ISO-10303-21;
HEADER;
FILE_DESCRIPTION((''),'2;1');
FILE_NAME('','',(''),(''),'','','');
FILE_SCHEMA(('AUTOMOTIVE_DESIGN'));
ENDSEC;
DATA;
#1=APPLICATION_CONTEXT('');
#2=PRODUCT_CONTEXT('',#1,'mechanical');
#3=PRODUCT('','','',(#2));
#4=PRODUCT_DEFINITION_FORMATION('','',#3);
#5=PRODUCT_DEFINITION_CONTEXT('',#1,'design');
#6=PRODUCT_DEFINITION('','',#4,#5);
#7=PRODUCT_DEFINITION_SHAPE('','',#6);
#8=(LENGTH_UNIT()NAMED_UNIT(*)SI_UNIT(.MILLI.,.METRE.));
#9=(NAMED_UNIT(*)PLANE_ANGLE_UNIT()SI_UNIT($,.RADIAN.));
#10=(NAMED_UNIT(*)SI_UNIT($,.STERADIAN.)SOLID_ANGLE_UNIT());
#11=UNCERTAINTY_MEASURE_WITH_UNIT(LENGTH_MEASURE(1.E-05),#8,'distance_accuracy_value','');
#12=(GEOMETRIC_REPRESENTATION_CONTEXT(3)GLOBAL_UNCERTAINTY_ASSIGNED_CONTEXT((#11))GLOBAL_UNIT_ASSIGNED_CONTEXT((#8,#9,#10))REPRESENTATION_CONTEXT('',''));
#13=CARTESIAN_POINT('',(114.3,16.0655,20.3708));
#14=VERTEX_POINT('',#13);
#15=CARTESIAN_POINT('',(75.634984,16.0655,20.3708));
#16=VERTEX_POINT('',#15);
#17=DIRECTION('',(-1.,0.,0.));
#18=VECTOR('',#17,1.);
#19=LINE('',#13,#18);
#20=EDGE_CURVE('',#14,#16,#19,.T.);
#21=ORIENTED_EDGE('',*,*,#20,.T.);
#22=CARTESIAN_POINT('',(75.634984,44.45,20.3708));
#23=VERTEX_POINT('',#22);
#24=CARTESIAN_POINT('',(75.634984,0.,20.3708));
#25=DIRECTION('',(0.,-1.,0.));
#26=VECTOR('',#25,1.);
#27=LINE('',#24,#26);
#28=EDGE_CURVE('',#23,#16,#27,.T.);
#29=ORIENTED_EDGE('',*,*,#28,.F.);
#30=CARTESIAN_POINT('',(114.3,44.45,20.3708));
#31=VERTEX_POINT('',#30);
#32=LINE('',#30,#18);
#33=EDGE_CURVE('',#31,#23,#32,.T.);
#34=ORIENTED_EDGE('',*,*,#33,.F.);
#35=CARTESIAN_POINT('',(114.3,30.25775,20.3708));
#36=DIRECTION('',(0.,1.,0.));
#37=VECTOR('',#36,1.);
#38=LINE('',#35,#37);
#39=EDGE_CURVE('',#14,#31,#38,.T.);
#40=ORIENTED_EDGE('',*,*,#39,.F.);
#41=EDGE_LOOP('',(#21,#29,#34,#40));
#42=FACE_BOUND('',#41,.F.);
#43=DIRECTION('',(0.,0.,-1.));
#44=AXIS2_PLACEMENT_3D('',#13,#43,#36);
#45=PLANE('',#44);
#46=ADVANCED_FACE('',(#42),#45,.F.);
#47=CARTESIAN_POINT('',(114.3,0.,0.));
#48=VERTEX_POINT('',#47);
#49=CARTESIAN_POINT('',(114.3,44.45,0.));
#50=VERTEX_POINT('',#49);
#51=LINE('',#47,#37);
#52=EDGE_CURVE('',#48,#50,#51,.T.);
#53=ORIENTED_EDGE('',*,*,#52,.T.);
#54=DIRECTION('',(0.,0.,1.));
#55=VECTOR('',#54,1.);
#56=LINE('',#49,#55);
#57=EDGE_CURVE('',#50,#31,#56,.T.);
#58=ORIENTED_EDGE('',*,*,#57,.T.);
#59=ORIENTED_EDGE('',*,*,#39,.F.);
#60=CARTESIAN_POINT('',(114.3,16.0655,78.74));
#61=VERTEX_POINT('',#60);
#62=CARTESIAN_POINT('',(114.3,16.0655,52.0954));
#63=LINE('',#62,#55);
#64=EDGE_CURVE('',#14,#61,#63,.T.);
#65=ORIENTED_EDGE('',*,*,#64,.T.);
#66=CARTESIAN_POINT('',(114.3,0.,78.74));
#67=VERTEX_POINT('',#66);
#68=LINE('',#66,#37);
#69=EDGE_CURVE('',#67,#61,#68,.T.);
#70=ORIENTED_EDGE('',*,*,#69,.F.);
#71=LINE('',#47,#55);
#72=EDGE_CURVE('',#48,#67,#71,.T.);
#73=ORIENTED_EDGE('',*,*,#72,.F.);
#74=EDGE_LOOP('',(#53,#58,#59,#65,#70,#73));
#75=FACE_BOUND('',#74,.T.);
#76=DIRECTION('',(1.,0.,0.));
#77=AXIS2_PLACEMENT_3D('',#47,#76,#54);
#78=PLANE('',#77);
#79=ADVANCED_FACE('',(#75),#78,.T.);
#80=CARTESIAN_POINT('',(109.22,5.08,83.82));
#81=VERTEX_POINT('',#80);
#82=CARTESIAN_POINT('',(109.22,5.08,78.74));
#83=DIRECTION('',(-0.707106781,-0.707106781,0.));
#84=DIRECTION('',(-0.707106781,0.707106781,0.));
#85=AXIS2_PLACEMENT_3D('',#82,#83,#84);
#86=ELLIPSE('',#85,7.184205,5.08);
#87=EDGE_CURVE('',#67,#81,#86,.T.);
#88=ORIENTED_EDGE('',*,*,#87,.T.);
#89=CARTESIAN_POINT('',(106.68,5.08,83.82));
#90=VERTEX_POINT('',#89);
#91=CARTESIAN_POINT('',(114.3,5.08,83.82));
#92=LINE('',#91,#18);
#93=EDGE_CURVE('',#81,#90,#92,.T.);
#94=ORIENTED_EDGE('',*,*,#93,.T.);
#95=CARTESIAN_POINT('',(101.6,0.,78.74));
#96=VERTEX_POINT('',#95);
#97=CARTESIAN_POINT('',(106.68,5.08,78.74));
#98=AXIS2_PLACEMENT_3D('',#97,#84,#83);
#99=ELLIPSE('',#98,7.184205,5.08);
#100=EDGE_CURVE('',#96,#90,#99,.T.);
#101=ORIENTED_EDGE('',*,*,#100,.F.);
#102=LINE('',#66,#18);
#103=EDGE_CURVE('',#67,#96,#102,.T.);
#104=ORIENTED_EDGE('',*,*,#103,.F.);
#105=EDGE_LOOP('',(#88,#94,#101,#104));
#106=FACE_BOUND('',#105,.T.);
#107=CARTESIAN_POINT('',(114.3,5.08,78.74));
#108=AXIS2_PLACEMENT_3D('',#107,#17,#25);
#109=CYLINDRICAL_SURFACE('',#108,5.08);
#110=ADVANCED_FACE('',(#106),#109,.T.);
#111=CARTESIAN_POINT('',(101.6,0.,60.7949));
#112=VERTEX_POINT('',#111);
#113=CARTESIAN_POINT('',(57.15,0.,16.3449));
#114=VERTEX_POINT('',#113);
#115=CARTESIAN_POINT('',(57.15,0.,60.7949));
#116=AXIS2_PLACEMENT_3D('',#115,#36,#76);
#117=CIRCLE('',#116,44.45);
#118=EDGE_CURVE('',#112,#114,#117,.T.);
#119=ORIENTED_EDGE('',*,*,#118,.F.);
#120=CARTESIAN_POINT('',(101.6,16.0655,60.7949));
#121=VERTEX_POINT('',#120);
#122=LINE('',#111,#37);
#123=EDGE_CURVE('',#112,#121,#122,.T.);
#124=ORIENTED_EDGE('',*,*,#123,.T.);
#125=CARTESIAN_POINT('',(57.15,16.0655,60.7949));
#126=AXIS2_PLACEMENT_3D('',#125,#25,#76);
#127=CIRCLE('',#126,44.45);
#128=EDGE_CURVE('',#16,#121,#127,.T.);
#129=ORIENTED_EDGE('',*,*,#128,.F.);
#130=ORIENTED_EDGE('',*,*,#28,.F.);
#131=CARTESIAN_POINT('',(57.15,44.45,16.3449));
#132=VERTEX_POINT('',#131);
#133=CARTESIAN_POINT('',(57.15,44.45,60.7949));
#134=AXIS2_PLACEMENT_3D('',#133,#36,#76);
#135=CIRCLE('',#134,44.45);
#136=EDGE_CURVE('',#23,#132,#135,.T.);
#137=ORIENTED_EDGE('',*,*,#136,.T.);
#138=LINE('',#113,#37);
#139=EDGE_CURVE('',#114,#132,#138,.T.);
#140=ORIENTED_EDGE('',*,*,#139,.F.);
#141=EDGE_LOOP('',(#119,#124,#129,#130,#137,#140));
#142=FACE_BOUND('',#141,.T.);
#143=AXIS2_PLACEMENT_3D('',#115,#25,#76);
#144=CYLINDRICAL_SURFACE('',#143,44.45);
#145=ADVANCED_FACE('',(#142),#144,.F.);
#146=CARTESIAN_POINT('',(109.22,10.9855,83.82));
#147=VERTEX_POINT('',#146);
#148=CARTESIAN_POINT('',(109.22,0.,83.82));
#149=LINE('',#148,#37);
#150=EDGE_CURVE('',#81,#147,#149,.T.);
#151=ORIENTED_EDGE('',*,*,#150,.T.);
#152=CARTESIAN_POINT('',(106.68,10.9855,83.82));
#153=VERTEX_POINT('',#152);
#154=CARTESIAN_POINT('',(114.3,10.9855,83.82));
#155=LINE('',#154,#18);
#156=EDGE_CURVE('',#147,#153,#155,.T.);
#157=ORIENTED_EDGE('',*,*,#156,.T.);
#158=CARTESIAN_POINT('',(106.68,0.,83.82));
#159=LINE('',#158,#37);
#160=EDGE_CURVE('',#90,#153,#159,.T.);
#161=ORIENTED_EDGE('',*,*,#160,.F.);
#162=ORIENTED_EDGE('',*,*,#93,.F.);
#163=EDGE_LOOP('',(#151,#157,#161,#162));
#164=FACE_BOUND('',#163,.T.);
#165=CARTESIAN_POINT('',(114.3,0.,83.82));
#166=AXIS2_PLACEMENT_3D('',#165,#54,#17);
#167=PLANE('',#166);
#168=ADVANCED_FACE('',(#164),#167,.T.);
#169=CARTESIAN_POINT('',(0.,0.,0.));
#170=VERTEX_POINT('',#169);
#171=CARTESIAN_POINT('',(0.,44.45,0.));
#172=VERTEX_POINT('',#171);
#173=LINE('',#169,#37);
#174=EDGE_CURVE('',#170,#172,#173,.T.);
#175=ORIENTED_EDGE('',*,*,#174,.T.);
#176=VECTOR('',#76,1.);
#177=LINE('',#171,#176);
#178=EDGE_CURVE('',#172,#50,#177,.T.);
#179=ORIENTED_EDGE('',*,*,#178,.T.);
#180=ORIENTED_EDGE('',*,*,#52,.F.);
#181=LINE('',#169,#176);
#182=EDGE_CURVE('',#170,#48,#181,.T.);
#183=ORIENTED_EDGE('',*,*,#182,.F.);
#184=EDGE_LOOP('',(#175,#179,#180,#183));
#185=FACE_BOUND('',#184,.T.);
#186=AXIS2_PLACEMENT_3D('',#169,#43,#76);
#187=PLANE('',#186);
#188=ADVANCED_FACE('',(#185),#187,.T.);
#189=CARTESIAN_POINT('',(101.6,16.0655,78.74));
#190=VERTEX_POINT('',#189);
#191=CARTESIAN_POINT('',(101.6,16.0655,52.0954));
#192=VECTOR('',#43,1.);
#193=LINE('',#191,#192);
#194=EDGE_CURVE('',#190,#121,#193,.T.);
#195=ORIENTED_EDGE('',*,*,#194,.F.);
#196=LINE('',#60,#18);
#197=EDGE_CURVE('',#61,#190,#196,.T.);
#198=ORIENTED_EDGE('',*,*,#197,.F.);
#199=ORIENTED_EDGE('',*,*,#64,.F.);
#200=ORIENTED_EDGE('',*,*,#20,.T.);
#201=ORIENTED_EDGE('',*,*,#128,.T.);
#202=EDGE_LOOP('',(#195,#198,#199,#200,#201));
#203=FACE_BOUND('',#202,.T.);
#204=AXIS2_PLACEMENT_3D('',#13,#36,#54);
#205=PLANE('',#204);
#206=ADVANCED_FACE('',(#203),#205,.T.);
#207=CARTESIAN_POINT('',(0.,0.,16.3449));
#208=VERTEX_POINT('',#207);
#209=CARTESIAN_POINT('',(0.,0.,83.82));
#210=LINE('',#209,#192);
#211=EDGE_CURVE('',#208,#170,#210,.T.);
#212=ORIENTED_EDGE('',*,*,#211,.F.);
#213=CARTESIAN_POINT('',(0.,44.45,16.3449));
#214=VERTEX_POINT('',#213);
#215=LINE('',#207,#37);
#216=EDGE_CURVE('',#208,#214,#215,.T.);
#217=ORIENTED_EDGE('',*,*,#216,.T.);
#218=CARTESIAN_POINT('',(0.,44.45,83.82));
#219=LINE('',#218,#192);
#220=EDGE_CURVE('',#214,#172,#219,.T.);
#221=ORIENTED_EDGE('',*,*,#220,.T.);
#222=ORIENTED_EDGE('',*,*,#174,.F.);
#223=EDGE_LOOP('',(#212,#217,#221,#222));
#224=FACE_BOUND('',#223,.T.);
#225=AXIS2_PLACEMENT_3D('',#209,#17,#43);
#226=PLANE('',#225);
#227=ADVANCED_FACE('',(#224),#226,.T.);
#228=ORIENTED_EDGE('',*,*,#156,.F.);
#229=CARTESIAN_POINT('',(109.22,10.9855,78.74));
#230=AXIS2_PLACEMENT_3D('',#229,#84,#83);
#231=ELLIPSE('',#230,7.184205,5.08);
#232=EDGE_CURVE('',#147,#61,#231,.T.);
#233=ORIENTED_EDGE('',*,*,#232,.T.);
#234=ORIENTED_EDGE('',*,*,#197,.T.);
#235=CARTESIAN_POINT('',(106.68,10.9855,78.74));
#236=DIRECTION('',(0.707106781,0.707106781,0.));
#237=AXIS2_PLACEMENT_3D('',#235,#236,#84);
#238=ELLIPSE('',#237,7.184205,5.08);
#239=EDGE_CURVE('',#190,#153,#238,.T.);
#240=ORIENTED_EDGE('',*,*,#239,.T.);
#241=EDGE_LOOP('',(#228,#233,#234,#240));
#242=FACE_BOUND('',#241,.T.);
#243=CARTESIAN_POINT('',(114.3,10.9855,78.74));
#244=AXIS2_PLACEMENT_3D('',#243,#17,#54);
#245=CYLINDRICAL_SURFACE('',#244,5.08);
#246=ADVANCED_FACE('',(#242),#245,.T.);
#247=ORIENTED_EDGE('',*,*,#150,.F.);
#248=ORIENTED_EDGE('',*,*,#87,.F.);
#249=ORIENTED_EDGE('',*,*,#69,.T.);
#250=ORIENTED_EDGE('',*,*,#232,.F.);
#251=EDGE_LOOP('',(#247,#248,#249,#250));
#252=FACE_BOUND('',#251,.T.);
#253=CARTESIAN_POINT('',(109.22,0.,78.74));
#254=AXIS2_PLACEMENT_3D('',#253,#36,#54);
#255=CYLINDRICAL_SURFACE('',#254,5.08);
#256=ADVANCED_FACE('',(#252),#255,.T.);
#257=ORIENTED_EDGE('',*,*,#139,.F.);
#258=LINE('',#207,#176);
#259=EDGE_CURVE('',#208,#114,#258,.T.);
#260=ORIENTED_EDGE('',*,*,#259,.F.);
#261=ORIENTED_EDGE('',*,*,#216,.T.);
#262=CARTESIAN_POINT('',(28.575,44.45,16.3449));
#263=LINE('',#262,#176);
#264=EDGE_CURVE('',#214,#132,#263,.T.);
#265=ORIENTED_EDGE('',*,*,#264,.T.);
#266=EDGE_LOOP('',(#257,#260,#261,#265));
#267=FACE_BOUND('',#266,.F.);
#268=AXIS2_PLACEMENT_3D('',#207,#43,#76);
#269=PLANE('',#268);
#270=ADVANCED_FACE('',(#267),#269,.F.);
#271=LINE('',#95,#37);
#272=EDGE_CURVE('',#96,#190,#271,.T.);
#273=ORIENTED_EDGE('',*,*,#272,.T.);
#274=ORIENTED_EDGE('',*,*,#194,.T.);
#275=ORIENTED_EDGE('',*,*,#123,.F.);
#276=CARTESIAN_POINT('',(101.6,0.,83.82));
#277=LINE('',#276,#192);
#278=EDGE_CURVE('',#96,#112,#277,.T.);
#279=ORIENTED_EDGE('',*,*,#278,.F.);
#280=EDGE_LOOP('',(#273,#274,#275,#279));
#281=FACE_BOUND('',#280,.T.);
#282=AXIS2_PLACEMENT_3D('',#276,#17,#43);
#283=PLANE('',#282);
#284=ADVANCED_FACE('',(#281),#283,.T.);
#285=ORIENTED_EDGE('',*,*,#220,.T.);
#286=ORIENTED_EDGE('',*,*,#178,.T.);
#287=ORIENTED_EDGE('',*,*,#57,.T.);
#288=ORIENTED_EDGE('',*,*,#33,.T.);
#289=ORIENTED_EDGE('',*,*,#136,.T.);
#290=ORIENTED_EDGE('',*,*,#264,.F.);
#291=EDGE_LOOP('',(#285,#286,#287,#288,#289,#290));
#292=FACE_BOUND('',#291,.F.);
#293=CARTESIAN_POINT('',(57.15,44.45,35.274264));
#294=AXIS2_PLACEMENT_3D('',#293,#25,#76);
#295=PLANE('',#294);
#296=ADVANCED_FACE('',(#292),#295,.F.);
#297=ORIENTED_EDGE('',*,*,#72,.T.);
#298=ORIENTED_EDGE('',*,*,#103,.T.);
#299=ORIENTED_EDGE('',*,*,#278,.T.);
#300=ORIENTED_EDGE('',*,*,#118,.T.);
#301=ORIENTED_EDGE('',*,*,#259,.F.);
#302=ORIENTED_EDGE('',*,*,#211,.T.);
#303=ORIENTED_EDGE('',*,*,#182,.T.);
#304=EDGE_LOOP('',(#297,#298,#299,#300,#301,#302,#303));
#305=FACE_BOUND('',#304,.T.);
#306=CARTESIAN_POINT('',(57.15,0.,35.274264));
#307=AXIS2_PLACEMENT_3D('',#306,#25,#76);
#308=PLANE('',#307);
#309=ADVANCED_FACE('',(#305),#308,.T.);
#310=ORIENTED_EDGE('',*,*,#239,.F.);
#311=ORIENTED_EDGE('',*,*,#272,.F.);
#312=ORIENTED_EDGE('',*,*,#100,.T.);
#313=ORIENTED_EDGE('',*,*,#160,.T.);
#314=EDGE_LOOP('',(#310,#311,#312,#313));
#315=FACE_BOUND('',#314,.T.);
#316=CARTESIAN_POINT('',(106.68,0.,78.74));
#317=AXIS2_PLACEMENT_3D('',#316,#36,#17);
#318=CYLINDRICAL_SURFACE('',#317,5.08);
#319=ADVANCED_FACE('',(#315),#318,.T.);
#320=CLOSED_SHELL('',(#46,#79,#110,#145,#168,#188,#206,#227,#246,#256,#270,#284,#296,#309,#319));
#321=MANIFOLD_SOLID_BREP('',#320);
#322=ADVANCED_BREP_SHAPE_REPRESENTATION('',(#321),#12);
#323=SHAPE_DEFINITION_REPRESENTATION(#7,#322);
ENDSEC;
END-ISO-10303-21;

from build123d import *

# Parameters (mm, degrees)
F1_DEPTH = 44.45
F2_W     = 28.3845
F2_H     = 63.4492
F3_DEPTH = 114.3
F5_DEPTH = 127
F6_R     = 5.08


with BuildPart() as f1:
    # F0 (on Front) → F1 (new body)
    with BuildSketch(Plane.XZ):
        with BuildLine():
            Line((0, 83.82), (0, 0))
            Line((0, 0), (114.3, 0))
            Line((114.3, 0), (114.3, 83.82))
            Line((114.3, 83.82), (101.6, 83.82))
            Line((101.6, 83.82), (101.6, 60.7949))
            ThreePointArc((101.6, 60.7949), (57.15, 16.3449), (12.7, 60.7949))
            Line((12.7, 60.7949), (12.7, 83.82))
            Line((12.7, 83.82), (0, 83.82))
        make_face()
    extrude(amount=-F1_DEPTH)

    # F2 (on face) → F3 (cut)
    with BuildSketch(Plane.YZ.offset(114.3)):
        with Locations((30.25775, 52.0954)):
            Rectangle(F2_W, F2_H)
    extrude(amount=-F3_DEPTH, mode=Mode.SUBTRACT)

    # F4 (on face) → F5 (cut)
    with BuildSketch(Plane.XZ):
        with BuildLine():
            Line((0, 16.3449), (57.15, 16.3449))
            ThreePointArc((57.15, 16.3449), (25.7191035763, 29.3640035763), (12.7, 60.7949))
            Line((12.7, 60.7949), (12.7, 83.82))
            Line((12.7, 83.82), (0, 83.82))
            Line((0, 83.82), (0, 16.3449))
        make_face()
    extrude(amount=-F5_DEPTH, mode=Mode.SUBTRACT)

    # F6
    f6_edges = [f1.edges().sort_by_distance(p)[0] for p in [
        (107.95, 0, 83.82),
        (101.6, 8.03275, 83.82),
        (107.95, 16.0655, 83.82),
        (114.3, 8.03275, 83.82),
    ]]
    fillet(f6_edges, radius=F6_R)


solid = f1.part
